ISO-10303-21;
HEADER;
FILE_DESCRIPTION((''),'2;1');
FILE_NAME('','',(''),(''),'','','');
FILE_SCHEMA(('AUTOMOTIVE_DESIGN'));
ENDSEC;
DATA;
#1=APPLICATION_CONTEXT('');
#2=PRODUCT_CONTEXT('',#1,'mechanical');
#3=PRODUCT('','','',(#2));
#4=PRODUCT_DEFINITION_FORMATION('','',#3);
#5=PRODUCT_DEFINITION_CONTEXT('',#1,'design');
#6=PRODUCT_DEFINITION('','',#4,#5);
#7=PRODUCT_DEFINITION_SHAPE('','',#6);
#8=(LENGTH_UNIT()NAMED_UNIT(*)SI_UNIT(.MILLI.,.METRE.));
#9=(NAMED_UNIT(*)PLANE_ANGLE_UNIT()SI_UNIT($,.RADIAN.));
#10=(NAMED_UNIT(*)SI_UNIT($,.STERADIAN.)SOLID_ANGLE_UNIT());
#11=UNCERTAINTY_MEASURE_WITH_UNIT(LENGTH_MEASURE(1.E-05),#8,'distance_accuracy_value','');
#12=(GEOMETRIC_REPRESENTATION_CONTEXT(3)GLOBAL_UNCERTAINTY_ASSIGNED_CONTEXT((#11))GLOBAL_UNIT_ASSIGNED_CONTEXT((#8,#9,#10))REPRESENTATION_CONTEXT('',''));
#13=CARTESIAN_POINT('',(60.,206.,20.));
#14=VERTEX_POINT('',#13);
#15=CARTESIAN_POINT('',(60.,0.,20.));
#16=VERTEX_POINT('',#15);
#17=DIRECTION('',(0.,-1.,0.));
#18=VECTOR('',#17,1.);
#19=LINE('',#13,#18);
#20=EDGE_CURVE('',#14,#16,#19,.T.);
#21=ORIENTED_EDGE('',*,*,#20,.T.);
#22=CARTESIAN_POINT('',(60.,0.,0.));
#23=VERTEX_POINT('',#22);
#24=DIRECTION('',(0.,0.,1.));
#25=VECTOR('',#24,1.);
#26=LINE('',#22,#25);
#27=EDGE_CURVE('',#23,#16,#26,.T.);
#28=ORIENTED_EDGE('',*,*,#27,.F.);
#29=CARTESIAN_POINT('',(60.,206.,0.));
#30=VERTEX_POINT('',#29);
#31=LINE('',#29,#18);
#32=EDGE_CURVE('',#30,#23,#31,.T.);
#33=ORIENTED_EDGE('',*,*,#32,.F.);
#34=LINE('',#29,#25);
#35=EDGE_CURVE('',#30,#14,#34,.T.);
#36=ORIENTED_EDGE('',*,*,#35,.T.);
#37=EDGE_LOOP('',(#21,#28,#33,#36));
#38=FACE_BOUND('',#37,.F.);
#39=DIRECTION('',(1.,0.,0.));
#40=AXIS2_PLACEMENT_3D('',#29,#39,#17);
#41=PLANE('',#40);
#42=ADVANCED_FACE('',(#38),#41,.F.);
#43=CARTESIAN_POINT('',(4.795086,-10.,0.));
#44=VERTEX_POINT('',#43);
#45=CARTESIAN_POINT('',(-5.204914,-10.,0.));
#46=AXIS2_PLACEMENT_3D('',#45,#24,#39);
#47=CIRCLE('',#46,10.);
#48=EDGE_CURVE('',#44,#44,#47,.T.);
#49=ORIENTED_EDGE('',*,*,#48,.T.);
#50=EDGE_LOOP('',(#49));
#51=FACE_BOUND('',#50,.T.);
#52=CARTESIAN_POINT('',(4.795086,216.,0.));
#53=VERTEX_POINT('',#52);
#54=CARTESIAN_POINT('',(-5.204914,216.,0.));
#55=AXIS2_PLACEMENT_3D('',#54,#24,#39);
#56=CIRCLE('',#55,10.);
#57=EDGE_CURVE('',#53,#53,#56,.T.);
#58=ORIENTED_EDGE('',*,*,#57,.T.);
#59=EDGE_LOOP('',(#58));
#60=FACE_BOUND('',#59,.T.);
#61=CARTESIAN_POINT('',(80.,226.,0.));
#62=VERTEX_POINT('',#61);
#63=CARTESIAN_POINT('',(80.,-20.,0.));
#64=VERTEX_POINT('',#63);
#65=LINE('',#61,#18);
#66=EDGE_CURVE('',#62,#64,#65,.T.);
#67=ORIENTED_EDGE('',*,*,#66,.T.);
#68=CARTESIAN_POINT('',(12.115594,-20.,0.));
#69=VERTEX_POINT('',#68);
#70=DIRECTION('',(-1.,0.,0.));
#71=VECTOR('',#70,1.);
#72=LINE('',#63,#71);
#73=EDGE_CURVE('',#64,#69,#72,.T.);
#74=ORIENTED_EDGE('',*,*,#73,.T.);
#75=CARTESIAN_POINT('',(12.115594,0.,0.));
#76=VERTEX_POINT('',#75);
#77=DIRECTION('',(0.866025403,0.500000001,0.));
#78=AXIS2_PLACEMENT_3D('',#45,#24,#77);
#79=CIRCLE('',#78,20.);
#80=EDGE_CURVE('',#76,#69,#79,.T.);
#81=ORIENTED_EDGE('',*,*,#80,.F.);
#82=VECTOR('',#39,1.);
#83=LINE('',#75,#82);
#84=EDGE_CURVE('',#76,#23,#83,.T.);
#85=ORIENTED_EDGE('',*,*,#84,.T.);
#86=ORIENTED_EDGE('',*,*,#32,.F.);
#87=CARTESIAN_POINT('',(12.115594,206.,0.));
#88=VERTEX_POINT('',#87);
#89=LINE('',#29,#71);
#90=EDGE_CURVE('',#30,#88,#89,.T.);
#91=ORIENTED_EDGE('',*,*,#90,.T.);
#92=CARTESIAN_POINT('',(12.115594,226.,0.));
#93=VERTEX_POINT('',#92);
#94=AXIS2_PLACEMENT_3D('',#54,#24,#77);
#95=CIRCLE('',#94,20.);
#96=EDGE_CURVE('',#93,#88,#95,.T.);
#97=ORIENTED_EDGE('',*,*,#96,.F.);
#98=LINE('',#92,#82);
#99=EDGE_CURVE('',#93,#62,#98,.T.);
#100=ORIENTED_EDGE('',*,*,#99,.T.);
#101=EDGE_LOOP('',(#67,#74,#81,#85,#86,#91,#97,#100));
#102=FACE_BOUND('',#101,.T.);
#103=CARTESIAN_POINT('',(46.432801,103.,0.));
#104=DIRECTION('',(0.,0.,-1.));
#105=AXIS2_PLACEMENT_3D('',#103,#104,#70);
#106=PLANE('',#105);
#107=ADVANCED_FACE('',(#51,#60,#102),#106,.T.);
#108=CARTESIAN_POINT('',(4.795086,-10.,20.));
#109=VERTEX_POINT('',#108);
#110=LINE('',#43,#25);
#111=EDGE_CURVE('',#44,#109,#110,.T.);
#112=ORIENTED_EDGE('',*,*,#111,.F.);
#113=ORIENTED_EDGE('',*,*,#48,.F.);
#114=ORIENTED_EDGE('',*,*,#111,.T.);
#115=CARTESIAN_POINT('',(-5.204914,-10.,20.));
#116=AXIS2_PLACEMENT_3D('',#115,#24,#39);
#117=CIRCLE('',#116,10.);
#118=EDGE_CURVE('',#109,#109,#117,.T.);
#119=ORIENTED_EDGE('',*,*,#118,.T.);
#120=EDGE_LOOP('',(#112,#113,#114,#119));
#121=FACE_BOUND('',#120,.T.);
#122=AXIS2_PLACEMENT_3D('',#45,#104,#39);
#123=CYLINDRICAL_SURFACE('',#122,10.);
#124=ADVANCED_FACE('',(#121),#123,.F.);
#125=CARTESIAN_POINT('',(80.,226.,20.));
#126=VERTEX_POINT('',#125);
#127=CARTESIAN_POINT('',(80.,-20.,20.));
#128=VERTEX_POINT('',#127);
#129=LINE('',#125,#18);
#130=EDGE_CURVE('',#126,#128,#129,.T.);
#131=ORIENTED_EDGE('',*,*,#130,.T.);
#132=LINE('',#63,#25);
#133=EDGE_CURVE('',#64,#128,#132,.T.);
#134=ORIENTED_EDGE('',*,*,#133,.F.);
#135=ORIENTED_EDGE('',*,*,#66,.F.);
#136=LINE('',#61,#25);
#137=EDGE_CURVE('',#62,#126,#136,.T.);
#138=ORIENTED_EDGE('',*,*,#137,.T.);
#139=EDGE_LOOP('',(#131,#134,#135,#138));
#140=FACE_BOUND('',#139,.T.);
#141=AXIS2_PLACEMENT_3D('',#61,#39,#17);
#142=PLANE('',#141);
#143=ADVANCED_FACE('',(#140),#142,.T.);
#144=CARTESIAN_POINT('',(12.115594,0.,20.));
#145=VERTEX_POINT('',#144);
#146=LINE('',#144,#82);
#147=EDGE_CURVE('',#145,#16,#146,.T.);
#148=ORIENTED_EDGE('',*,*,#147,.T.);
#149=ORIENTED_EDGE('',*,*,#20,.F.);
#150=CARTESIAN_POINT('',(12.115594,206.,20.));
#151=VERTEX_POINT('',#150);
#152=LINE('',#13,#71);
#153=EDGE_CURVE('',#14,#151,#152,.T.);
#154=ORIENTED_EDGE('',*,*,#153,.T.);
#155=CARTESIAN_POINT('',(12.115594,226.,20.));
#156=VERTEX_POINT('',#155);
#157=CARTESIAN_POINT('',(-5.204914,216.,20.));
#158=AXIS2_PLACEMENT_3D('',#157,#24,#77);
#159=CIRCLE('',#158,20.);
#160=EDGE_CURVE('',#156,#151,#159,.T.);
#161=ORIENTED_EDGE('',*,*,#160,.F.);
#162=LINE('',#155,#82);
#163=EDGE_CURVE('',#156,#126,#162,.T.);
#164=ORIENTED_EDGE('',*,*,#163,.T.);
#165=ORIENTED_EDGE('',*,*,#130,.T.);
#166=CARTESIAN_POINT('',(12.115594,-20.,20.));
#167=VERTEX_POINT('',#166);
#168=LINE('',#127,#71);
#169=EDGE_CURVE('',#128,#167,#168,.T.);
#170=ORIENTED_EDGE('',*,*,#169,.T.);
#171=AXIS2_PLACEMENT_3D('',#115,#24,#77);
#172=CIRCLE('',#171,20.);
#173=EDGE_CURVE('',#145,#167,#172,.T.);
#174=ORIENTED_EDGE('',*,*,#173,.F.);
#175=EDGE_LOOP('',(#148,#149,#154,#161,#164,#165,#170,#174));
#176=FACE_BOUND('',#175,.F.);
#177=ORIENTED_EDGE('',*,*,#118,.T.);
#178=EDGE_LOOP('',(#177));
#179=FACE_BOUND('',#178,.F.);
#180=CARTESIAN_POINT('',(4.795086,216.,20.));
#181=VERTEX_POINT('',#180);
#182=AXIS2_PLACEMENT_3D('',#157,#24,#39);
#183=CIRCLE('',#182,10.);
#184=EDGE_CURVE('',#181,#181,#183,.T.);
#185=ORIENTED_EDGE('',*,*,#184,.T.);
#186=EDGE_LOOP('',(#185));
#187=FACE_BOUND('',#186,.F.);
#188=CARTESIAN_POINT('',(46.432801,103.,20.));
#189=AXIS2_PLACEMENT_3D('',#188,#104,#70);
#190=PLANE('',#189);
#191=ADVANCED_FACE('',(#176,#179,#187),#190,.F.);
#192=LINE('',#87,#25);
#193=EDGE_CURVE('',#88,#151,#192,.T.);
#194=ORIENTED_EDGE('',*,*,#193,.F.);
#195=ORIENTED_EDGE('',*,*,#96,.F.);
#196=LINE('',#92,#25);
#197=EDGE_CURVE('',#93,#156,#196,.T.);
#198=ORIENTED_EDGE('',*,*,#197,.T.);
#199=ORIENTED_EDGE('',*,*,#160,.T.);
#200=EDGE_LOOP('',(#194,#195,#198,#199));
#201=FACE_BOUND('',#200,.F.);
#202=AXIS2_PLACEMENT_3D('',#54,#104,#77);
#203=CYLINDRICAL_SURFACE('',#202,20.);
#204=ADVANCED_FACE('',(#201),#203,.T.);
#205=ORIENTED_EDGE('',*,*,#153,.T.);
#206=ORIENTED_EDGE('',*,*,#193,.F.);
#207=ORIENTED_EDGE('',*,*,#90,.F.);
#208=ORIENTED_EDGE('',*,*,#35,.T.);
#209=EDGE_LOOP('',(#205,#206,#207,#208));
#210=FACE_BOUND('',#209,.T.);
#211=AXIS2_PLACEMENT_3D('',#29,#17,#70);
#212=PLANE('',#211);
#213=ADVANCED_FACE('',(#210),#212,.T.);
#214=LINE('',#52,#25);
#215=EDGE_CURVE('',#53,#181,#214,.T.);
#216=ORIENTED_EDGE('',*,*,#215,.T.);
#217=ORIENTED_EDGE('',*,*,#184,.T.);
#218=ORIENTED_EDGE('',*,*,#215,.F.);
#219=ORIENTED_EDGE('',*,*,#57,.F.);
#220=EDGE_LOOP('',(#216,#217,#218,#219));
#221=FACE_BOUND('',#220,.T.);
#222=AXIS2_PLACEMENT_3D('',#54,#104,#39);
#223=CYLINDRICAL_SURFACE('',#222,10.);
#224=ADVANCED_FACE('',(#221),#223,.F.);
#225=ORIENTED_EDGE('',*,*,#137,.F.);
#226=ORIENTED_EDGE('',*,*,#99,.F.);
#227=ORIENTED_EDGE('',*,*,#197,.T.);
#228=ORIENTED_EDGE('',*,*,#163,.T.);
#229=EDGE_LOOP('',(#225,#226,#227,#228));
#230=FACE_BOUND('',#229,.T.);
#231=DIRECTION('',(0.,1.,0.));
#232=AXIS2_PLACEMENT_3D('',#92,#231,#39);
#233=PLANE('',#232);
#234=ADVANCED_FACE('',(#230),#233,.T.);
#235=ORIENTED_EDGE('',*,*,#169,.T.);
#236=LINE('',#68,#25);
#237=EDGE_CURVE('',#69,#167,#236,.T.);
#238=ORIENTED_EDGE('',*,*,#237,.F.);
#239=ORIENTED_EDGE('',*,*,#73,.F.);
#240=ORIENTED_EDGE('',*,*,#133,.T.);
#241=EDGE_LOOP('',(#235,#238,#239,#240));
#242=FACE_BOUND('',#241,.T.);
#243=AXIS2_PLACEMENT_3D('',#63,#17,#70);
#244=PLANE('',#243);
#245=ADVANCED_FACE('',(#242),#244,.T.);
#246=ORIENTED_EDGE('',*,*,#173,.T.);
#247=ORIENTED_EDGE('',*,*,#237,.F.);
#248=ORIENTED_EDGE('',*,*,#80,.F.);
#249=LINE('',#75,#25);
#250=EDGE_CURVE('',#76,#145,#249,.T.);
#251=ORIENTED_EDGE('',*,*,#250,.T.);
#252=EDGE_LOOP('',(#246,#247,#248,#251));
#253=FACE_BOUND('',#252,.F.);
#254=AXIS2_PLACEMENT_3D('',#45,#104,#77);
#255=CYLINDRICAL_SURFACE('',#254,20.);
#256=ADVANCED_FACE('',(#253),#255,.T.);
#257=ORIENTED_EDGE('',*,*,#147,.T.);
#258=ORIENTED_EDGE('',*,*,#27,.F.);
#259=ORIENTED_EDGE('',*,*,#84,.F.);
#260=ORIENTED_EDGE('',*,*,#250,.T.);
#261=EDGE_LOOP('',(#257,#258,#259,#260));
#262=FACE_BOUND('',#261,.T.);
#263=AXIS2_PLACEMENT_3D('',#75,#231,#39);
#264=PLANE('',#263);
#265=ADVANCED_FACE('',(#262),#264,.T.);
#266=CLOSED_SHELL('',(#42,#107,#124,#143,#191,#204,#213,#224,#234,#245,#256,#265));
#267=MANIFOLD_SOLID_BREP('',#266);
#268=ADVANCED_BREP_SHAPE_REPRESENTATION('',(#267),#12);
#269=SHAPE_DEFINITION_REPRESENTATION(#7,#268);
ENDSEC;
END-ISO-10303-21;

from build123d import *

# Parameters (mm, degrees)
SKETCH_R      = 10
EXTRUDE_DEPTH = 20


with BuildPart() as part:
    # Sketch → Extrude (new body)
    with BuildSketch(Plane.XY):
        with BuildLine():
            Line((12.115594, 0), (60, 0))
            Line((60, 206), (60, 0))
            Line((60, 206), (12.115594, 206))
            ThreePointArc((12.115594, 226), (-25.204914, 216), (12.115594, 206))
            Line((12.115594, 226), (80, 226))
            Line((80, 226), (80, -20))
            Line((80, -20), (12.115594, -20))
            ThreePointArc((12.115594, 0), (-25.204914, -10), (12.115594, -20))
        make_face()
        with Locations((-5.204914, -10)):
            Circle(SKETCH_R, mode=Mode.SUBTRACT)
        with Locations((-5.204914, 216)):
            Circle(SKETCH_R, mode=Mode.SUBTRACT)
    extrude(amount=EXTRUDE_DEPTH)


solid = part.part
